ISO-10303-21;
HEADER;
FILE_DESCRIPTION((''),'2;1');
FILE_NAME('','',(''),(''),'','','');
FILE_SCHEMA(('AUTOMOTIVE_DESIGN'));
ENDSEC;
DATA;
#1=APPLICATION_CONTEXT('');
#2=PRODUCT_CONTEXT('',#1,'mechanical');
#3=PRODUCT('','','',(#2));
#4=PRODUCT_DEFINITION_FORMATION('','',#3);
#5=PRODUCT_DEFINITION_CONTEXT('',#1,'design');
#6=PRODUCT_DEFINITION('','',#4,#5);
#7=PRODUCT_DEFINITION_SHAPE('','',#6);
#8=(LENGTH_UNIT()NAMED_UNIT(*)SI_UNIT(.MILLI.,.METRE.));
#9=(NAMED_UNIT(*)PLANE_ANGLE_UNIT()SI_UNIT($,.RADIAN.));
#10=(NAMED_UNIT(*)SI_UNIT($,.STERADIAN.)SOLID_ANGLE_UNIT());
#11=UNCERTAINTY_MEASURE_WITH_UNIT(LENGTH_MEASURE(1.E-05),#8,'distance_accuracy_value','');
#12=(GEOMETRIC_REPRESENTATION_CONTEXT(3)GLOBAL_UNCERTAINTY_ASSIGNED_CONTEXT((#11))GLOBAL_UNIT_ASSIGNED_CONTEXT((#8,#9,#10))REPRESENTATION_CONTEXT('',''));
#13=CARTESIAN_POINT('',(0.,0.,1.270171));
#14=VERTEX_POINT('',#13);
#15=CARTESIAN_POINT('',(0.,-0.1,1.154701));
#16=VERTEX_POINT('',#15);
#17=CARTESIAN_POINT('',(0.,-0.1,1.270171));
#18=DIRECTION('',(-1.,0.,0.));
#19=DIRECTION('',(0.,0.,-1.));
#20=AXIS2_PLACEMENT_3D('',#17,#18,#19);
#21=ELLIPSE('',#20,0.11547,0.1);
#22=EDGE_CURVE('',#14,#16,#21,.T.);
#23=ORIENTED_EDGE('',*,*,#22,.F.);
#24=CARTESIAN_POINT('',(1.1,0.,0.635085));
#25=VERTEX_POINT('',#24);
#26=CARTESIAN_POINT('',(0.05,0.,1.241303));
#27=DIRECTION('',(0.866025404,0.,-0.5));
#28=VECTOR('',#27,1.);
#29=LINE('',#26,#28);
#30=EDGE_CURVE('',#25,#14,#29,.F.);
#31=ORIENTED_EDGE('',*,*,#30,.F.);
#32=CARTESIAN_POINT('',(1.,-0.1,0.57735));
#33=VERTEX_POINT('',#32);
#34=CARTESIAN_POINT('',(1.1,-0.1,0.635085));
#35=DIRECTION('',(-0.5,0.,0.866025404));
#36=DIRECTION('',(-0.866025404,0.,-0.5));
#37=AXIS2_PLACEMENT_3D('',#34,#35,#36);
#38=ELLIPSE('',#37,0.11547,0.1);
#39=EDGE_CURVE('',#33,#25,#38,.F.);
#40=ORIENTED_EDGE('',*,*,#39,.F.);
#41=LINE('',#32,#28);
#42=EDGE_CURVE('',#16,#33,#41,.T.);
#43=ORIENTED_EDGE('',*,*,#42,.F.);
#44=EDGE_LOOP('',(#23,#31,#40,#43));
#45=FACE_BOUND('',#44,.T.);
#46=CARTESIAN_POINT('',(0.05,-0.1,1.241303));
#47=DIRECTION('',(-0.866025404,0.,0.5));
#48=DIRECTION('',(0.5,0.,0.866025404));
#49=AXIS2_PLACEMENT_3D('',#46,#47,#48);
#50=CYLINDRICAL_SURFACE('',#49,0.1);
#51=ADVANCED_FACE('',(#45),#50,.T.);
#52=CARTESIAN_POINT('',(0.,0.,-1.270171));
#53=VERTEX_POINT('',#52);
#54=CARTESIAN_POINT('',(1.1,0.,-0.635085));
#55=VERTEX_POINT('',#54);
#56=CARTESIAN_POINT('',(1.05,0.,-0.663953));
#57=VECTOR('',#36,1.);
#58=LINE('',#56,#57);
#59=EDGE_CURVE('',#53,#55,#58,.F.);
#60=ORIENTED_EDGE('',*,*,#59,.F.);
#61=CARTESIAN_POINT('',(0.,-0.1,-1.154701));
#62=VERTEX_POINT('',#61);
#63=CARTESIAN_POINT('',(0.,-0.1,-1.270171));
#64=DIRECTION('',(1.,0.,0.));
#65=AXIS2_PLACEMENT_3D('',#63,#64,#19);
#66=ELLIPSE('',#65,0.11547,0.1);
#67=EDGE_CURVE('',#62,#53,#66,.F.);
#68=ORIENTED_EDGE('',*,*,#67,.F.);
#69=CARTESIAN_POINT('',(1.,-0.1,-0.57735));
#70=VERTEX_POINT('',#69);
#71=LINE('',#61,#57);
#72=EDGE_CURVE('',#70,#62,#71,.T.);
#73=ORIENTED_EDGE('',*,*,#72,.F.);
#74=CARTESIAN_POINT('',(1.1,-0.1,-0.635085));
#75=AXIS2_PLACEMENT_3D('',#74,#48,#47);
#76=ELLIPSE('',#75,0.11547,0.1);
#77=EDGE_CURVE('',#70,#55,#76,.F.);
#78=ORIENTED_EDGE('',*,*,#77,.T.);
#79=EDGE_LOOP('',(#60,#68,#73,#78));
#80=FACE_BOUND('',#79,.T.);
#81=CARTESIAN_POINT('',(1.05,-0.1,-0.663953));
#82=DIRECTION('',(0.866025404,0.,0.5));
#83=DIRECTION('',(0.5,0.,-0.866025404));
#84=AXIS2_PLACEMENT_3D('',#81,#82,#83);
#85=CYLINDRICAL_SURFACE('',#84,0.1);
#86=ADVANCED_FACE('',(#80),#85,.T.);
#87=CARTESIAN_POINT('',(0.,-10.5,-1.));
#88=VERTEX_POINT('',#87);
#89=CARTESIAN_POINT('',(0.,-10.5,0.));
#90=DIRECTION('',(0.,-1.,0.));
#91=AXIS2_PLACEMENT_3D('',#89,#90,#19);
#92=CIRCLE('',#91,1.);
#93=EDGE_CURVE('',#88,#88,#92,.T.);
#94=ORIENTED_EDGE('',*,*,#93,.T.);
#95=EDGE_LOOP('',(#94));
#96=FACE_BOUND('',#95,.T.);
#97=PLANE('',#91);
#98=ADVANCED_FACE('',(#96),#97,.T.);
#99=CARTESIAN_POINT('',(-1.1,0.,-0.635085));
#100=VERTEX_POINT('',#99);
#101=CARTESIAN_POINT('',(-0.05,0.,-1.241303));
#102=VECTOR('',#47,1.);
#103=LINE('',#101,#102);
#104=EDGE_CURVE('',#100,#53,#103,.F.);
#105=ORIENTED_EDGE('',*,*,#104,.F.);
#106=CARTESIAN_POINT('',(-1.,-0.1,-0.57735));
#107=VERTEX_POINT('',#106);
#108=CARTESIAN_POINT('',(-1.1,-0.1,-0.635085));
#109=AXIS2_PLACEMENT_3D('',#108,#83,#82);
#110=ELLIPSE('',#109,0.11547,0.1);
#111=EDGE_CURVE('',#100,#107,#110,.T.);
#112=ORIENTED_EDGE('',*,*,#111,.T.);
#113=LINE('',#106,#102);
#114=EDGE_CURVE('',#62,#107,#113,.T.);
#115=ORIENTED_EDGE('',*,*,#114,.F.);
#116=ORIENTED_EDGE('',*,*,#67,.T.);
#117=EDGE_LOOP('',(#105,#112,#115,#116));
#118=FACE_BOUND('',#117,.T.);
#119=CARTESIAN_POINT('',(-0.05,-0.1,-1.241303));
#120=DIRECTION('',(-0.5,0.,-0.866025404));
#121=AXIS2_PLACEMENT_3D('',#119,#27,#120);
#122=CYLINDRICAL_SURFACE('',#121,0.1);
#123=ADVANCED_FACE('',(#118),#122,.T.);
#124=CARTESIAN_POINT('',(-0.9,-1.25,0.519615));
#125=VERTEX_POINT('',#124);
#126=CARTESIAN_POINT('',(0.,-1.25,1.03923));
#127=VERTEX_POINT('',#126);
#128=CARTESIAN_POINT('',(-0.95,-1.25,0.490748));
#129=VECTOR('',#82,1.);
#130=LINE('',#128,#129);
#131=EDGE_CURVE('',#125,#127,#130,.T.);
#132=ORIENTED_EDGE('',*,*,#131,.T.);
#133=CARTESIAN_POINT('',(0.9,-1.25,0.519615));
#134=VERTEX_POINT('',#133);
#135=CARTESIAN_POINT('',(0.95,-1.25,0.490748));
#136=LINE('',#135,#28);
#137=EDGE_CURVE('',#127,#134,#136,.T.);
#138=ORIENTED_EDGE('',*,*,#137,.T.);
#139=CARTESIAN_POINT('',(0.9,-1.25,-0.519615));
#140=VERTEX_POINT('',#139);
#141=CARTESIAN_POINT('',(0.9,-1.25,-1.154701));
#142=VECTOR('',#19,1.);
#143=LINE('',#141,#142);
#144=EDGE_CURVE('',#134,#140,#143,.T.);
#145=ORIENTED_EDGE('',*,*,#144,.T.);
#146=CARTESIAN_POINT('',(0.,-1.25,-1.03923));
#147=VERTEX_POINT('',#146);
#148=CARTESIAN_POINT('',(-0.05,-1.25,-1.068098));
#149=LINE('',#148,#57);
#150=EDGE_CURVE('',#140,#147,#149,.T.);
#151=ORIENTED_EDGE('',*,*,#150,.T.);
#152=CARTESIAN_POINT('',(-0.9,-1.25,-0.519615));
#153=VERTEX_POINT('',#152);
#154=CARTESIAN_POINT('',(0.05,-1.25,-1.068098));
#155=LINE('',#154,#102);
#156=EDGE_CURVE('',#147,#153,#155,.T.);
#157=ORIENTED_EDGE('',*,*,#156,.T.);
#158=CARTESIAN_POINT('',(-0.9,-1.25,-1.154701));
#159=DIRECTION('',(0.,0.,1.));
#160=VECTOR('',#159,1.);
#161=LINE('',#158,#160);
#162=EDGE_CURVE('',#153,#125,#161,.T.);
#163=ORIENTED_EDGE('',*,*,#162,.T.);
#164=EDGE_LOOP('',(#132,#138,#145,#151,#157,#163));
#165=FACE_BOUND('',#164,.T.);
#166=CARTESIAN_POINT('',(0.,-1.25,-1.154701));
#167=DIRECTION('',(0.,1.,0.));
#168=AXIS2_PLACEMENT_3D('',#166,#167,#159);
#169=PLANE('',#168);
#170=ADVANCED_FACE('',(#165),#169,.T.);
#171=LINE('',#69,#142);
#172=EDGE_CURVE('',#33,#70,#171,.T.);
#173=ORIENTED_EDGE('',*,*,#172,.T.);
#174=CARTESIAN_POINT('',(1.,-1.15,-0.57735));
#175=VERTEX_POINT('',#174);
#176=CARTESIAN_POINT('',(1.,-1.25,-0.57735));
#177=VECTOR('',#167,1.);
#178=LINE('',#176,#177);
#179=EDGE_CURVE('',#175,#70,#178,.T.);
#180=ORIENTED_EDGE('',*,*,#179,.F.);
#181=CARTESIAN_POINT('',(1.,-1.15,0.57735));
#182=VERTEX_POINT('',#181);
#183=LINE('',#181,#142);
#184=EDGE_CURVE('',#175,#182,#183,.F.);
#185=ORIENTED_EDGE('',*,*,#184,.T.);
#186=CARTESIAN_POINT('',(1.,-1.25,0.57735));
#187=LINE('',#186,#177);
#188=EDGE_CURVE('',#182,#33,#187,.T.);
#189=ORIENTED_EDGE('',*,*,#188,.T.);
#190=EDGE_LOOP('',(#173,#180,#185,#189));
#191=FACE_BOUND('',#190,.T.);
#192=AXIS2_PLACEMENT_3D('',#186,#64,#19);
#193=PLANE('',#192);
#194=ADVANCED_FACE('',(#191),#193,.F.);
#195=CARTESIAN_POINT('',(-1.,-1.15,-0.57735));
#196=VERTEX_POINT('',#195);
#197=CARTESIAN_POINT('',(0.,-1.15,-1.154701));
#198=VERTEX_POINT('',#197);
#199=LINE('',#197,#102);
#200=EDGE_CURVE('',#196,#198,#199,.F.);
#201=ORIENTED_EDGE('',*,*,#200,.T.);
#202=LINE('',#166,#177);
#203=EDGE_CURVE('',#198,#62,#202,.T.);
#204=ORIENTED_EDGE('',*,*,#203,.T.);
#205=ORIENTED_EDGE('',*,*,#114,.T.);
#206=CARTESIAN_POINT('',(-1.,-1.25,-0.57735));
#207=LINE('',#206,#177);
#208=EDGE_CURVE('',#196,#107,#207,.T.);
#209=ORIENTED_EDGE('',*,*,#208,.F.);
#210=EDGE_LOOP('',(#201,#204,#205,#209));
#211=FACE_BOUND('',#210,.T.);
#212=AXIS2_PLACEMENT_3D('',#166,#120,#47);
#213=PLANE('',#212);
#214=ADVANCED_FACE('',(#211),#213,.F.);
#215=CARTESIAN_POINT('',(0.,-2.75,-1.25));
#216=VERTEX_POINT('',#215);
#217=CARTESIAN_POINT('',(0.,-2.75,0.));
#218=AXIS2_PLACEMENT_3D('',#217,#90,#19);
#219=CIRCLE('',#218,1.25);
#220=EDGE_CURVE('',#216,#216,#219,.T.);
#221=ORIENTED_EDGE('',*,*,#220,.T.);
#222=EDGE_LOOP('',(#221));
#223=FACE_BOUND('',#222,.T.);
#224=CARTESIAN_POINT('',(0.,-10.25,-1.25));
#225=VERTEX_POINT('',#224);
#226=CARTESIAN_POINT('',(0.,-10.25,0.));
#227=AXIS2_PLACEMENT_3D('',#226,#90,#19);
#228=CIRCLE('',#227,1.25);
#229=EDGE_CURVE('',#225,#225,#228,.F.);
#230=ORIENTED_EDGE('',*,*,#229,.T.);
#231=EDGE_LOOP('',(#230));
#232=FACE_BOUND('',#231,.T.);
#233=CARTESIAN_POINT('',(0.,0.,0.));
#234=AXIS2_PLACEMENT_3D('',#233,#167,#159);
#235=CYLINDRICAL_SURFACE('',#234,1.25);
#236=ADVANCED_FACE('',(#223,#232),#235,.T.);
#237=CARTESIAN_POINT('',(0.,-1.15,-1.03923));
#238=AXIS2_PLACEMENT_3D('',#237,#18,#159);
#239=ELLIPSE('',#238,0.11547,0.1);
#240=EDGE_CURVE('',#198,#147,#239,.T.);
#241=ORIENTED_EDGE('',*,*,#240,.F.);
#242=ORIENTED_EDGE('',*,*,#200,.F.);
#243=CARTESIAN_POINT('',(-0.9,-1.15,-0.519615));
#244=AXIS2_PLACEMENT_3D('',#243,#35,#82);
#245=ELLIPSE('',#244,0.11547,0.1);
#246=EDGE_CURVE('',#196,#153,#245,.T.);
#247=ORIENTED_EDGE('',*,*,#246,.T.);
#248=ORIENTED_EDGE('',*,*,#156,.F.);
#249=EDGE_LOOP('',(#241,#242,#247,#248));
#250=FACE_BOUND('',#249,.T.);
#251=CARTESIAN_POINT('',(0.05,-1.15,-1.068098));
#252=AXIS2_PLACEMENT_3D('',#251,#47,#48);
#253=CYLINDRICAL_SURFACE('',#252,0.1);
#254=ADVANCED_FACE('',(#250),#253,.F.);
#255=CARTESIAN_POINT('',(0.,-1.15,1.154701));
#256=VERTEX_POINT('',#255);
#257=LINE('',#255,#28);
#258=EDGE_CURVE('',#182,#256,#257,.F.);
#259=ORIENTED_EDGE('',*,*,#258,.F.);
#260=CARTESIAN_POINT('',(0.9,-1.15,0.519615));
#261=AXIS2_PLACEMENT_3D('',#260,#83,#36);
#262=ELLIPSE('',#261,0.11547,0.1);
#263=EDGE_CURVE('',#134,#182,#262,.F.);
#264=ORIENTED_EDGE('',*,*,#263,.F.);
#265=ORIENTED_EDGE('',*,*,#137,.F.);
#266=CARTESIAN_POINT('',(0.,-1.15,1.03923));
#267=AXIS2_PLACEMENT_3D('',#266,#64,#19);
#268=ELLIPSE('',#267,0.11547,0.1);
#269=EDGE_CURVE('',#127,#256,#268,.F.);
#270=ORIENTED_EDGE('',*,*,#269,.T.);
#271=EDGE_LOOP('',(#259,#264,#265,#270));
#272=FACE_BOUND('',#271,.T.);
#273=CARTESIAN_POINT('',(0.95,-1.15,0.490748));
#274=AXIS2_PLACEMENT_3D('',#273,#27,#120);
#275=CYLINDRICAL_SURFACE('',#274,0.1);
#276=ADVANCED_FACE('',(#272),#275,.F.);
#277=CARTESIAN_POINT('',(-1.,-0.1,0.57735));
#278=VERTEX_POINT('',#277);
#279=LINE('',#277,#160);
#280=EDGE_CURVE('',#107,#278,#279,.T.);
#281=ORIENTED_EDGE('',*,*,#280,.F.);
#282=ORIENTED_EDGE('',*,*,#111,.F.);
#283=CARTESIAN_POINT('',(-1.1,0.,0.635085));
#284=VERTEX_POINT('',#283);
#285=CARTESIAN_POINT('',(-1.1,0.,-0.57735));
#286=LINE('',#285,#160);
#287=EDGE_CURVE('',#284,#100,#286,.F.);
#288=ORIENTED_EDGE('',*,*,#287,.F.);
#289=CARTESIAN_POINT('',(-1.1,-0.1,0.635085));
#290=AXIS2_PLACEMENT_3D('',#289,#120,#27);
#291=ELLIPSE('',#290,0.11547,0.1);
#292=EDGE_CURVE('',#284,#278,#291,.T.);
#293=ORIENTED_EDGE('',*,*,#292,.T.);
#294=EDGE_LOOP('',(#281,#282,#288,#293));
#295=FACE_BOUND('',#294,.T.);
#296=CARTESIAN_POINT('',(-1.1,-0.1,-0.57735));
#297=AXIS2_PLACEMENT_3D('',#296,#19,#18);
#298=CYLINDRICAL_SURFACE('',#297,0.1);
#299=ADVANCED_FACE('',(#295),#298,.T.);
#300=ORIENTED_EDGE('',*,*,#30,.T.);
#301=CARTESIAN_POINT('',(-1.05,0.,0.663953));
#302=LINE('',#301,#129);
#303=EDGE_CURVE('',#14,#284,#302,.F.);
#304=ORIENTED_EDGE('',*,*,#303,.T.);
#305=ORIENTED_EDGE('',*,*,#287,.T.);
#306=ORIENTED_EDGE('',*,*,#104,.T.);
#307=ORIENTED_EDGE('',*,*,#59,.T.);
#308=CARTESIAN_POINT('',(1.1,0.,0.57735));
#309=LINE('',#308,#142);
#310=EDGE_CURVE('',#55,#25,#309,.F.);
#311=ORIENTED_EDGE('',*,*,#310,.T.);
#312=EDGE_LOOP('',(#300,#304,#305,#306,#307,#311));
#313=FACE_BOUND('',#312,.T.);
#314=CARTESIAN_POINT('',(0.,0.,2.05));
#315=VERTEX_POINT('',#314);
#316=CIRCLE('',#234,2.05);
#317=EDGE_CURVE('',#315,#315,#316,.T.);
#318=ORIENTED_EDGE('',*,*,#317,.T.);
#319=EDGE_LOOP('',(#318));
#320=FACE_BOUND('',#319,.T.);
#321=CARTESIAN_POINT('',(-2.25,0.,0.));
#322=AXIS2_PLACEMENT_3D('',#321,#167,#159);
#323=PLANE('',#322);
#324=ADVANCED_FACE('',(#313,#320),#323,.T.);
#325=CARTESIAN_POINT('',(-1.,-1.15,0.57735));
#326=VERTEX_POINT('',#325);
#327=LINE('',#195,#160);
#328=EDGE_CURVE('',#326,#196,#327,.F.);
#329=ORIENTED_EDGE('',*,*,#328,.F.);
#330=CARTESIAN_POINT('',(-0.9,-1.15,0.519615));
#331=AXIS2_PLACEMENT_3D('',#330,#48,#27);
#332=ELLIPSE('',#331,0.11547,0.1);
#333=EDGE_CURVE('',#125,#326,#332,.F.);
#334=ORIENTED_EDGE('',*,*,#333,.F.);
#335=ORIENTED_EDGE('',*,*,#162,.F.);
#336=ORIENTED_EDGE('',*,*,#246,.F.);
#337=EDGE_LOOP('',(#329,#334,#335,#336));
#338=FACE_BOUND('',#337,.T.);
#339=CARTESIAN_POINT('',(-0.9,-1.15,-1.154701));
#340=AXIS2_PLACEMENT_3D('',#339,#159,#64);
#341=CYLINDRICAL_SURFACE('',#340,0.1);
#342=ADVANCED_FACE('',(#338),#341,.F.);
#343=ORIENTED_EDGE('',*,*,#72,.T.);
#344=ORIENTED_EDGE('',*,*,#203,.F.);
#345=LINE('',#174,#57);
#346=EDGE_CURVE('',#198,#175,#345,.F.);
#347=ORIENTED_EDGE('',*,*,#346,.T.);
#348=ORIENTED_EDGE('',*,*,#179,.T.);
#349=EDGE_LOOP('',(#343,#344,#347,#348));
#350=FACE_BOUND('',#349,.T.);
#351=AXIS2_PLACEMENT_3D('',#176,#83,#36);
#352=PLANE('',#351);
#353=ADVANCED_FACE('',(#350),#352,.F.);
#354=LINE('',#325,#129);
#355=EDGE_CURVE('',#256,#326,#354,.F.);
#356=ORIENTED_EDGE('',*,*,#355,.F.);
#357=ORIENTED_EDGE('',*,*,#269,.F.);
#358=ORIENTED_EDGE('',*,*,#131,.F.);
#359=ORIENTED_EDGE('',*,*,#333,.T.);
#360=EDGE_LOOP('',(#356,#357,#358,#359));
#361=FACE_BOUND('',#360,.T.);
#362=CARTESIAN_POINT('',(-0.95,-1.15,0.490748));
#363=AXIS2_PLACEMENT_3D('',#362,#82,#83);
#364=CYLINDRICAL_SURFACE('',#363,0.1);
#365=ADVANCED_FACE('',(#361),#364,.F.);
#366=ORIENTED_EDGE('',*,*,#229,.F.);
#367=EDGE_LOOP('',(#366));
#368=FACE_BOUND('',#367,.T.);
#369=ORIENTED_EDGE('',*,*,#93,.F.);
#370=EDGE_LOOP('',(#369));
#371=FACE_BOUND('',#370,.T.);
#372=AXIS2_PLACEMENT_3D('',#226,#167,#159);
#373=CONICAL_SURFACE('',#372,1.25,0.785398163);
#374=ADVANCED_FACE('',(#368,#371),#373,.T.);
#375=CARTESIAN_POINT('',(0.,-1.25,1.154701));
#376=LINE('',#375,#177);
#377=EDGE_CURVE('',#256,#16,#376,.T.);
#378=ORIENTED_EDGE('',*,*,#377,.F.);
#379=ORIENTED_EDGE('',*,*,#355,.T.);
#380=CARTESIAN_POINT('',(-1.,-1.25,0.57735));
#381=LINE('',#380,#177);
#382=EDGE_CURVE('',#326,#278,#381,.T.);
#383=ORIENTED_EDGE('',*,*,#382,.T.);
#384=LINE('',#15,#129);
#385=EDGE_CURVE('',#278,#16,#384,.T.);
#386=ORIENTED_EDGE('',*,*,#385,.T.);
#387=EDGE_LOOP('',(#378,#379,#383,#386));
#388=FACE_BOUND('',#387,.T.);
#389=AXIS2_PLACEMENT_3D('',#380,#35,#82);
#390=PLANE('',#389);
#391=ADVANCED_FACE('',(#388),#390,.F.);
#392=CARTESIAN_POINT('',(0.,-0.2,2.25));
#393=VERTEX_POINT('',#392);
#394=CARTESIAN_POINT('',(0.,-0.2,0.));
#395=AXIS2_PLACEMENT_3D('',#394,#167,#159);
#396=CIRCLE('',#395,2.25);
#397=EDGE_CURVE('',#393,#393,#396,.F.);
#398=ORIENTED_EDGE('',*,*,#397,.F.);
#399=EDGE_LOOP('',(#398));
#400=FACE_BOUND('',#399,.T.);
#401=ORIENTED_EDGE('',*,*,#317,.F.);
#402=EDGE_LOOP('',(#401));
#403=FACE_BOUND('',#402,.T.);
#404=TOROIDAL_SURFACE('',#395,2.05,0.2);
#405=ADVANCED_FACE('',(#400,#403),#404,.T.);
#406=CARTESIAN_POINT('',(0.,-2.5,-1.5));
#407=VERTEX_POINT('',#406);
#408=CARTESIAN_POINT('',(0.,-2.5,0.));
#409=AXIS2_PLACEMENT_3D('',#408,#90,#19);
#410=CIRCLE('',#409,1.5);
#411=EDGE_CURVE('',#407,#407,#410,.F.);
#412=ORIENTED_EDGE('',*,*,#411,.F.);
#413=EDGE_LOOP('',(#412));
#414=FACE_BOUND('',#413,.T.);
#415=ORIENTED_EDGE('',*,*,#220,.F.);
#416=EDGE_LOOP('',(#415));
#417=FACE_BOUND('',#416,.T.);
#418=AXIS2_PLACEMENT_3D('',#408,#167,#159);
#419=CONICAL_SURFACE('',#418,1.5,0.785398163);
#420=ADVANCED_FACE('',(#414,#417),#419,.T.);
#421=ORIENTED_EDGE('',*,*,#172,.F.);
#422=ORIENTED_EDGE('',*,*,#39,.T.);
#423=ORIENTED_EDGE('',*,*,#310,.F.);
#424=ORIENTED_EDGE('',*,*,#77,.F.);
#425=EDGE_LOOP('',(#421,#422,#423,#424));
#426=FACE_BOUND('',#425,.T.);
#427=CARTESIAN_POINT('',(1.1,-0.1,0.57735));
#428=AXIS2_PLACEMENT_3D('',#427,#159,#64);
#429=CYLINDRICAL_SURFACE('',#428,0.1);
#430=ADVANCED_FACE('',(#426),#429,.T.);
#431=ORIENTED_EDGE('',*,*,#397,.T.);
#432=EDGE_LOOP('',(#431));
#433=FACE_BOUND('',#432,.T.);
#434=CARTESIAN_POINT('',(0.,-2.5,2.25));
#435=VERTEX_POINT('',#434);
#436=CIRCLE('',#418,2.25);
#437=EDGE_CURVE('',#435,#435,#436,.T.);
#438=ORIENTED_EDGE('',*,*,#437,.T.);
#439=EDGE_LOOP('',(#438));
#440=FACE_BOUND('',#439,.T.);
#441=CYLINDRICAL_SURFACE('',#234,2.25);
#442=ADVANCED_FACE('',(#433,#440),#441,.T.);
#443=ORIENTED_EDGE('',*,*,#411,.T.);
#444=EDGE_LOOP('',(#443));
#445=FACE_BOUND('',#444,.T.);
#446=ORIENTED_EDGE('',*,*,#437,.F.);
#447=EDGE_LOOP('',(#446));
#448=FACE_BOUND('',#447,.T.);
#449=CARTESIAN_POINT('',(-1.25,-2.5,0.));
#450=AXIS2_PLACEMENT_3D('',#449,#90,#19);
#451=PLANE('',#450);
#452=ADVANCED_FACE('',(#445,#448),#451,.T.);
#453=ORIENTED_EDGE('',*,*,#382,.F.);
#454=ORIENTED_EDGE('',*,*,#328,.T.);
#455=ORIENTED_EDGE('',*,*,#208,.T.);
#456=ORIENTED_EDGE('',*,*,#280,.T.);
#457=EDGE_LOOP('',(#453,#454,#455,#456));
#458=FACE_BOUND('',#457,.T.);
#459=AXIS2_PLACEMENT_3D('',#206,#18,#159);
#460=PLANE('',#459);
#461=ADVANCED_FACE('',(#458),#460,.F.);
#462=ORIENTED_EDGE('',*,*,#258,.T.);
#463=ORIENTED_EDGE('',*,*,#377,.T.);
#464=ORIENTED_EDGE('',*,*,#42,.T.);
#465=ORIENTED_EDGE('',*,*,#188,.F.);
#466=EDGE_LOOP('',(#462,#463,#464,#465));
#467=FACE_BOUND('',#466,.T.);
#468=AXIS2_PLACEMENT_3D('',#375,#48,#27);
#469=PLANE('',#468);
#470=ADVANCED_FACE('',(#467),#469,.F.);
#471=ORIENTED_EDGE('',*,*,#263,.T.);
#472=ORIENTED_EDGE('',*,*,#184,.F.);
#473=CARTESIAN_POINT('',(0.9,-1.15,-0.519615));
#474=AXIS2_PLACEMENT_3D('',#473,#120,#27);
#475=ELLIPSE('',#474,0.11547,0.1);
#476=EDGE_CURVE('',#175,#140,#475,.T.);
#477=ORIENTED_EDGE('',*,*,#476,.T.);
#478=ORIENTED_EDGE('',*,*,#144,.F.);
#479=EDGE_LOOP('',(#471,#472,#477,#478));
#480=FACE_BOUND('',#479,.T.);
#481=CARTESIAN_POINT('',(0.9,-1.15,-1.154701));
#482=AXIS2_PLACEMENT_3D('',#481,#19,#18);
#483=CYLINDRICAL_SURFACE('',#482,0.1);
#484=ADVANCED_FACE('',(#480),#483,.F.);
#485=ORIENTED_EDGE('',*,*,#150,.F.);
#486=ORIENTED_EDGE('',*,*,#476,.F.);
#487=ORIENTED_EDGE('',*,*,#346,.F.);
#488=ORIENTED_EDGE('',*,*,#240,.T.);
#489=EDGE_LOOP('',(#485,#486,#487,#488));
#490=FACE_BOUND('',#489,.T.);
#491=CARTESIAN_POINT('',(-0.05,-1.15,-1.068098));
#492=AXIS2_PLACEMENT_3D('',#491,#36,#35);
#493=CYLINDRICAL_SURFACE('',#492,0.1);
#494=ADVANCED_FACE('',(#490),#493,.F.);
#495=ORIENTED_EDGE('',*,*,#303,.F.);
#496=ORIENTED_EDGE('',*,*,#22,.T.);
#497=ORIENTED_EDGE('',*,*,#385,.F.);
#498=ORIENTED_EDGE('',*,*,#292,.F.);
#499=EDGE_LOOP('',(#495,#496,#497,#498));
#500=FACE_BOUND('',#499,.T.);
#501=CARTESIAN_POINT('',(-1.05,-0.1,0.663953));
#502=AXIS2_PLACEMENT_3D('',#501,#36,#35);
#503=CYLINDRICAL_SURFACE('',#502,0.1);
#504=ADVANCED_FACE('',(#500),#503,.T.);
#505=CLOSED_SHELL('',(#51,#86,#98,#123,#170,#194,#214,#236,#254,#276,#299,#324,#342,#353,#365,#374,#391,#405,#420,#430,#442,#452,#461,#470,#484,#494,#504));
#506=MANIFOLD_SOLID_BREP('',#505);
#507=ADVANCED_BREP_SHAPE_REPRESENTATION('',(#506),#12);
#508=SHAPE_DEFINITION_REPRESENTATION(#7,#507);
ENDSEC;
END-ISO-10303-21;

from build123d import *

# Parameters (mm, degrees)
CHAMFER1_SIZE      = 0.25
FILLET1_R          = 0.2
CUT_EXTRUDE1_DEPTH = 1.25
FILLET2_R          = 0.1


with BuildPart() as part:
    # Sketch1 → Revolve1 (revolve)
    with BuildSketch(Plane.XY, mode=Mode.PRIVATE) as revolve1_sk:
        Polygon((0, -10.5), (-1.25, -10.5), (-1.25, -2.5), (-2.25, -2.5), (-2.25, 0), (0, 0), align=None)
    revolve(revolve1_sk.sketch.rotate(Axis((0, 0, 0), (0, -1, 0)), 270), axis=Axis((0, 0, 0), (0, -1, 0)))

    # Chamfer1
    chamfer1_edges = [part.edges().sort_by_distance(p)[0] for p in [
        (0, -2.5, -1.25),
        (0, -10.5, -1.25),
    ]]
    chamfer(chamfer1_edges, length=CHAMFER1_SIZE)

    # Fillet1
    fillet1_edges = [part.edges().sort_by_distance(p)[0] for p in [
        (0, 0, -2.25),
    ]]
    fillet(fillet1_edges, radius=FILLET1_R)

    # Sketch2 → Cut-Extrude1 (cut)
    with BuildSketch(Plane(origin=(0, 0, 0), x_dir=(1, 0, 0), z_dir=(0, 1, 0))):
        Polygon((0, 1.154700538), (-1, 0.577350269), (-1, -0.577350269), (0, -1.154700538), (1, -0.577350269), (1, 0.577350269), align=None)
    extrude(amount=-CUT_EXTRUDE1_DEPTH, mode=Mode.SUBTRACT)

    # Fillet2
    fillet2_edges = [part.edges().sort_by_distance(p)[0] for p in [
        (0.5, -1.25, -0.866025404),
        (1, -1.25, 0),
        (0.5, -1.25, 0.866025404),
        (-0.5, -1.25, 0.866025404),
        (-1, -1.25, 0),
        (-0.5, -1.25, -0.866025404),
        (0.4999999999999987, 0, -0.8660254037844397),
        (-0.5000000000000006, 0, -0.8660254037844395),
        (-1, 0, 0),
        (-0.5000000000000007, 0, 0.8660254037844379),
        (0.4999999999999988, 0, 0.8660254037844382),
        (1, 0, 0),
    ]]
    fillet(fillet2_edges, radius=FILLET2_R)


solid = part.part
